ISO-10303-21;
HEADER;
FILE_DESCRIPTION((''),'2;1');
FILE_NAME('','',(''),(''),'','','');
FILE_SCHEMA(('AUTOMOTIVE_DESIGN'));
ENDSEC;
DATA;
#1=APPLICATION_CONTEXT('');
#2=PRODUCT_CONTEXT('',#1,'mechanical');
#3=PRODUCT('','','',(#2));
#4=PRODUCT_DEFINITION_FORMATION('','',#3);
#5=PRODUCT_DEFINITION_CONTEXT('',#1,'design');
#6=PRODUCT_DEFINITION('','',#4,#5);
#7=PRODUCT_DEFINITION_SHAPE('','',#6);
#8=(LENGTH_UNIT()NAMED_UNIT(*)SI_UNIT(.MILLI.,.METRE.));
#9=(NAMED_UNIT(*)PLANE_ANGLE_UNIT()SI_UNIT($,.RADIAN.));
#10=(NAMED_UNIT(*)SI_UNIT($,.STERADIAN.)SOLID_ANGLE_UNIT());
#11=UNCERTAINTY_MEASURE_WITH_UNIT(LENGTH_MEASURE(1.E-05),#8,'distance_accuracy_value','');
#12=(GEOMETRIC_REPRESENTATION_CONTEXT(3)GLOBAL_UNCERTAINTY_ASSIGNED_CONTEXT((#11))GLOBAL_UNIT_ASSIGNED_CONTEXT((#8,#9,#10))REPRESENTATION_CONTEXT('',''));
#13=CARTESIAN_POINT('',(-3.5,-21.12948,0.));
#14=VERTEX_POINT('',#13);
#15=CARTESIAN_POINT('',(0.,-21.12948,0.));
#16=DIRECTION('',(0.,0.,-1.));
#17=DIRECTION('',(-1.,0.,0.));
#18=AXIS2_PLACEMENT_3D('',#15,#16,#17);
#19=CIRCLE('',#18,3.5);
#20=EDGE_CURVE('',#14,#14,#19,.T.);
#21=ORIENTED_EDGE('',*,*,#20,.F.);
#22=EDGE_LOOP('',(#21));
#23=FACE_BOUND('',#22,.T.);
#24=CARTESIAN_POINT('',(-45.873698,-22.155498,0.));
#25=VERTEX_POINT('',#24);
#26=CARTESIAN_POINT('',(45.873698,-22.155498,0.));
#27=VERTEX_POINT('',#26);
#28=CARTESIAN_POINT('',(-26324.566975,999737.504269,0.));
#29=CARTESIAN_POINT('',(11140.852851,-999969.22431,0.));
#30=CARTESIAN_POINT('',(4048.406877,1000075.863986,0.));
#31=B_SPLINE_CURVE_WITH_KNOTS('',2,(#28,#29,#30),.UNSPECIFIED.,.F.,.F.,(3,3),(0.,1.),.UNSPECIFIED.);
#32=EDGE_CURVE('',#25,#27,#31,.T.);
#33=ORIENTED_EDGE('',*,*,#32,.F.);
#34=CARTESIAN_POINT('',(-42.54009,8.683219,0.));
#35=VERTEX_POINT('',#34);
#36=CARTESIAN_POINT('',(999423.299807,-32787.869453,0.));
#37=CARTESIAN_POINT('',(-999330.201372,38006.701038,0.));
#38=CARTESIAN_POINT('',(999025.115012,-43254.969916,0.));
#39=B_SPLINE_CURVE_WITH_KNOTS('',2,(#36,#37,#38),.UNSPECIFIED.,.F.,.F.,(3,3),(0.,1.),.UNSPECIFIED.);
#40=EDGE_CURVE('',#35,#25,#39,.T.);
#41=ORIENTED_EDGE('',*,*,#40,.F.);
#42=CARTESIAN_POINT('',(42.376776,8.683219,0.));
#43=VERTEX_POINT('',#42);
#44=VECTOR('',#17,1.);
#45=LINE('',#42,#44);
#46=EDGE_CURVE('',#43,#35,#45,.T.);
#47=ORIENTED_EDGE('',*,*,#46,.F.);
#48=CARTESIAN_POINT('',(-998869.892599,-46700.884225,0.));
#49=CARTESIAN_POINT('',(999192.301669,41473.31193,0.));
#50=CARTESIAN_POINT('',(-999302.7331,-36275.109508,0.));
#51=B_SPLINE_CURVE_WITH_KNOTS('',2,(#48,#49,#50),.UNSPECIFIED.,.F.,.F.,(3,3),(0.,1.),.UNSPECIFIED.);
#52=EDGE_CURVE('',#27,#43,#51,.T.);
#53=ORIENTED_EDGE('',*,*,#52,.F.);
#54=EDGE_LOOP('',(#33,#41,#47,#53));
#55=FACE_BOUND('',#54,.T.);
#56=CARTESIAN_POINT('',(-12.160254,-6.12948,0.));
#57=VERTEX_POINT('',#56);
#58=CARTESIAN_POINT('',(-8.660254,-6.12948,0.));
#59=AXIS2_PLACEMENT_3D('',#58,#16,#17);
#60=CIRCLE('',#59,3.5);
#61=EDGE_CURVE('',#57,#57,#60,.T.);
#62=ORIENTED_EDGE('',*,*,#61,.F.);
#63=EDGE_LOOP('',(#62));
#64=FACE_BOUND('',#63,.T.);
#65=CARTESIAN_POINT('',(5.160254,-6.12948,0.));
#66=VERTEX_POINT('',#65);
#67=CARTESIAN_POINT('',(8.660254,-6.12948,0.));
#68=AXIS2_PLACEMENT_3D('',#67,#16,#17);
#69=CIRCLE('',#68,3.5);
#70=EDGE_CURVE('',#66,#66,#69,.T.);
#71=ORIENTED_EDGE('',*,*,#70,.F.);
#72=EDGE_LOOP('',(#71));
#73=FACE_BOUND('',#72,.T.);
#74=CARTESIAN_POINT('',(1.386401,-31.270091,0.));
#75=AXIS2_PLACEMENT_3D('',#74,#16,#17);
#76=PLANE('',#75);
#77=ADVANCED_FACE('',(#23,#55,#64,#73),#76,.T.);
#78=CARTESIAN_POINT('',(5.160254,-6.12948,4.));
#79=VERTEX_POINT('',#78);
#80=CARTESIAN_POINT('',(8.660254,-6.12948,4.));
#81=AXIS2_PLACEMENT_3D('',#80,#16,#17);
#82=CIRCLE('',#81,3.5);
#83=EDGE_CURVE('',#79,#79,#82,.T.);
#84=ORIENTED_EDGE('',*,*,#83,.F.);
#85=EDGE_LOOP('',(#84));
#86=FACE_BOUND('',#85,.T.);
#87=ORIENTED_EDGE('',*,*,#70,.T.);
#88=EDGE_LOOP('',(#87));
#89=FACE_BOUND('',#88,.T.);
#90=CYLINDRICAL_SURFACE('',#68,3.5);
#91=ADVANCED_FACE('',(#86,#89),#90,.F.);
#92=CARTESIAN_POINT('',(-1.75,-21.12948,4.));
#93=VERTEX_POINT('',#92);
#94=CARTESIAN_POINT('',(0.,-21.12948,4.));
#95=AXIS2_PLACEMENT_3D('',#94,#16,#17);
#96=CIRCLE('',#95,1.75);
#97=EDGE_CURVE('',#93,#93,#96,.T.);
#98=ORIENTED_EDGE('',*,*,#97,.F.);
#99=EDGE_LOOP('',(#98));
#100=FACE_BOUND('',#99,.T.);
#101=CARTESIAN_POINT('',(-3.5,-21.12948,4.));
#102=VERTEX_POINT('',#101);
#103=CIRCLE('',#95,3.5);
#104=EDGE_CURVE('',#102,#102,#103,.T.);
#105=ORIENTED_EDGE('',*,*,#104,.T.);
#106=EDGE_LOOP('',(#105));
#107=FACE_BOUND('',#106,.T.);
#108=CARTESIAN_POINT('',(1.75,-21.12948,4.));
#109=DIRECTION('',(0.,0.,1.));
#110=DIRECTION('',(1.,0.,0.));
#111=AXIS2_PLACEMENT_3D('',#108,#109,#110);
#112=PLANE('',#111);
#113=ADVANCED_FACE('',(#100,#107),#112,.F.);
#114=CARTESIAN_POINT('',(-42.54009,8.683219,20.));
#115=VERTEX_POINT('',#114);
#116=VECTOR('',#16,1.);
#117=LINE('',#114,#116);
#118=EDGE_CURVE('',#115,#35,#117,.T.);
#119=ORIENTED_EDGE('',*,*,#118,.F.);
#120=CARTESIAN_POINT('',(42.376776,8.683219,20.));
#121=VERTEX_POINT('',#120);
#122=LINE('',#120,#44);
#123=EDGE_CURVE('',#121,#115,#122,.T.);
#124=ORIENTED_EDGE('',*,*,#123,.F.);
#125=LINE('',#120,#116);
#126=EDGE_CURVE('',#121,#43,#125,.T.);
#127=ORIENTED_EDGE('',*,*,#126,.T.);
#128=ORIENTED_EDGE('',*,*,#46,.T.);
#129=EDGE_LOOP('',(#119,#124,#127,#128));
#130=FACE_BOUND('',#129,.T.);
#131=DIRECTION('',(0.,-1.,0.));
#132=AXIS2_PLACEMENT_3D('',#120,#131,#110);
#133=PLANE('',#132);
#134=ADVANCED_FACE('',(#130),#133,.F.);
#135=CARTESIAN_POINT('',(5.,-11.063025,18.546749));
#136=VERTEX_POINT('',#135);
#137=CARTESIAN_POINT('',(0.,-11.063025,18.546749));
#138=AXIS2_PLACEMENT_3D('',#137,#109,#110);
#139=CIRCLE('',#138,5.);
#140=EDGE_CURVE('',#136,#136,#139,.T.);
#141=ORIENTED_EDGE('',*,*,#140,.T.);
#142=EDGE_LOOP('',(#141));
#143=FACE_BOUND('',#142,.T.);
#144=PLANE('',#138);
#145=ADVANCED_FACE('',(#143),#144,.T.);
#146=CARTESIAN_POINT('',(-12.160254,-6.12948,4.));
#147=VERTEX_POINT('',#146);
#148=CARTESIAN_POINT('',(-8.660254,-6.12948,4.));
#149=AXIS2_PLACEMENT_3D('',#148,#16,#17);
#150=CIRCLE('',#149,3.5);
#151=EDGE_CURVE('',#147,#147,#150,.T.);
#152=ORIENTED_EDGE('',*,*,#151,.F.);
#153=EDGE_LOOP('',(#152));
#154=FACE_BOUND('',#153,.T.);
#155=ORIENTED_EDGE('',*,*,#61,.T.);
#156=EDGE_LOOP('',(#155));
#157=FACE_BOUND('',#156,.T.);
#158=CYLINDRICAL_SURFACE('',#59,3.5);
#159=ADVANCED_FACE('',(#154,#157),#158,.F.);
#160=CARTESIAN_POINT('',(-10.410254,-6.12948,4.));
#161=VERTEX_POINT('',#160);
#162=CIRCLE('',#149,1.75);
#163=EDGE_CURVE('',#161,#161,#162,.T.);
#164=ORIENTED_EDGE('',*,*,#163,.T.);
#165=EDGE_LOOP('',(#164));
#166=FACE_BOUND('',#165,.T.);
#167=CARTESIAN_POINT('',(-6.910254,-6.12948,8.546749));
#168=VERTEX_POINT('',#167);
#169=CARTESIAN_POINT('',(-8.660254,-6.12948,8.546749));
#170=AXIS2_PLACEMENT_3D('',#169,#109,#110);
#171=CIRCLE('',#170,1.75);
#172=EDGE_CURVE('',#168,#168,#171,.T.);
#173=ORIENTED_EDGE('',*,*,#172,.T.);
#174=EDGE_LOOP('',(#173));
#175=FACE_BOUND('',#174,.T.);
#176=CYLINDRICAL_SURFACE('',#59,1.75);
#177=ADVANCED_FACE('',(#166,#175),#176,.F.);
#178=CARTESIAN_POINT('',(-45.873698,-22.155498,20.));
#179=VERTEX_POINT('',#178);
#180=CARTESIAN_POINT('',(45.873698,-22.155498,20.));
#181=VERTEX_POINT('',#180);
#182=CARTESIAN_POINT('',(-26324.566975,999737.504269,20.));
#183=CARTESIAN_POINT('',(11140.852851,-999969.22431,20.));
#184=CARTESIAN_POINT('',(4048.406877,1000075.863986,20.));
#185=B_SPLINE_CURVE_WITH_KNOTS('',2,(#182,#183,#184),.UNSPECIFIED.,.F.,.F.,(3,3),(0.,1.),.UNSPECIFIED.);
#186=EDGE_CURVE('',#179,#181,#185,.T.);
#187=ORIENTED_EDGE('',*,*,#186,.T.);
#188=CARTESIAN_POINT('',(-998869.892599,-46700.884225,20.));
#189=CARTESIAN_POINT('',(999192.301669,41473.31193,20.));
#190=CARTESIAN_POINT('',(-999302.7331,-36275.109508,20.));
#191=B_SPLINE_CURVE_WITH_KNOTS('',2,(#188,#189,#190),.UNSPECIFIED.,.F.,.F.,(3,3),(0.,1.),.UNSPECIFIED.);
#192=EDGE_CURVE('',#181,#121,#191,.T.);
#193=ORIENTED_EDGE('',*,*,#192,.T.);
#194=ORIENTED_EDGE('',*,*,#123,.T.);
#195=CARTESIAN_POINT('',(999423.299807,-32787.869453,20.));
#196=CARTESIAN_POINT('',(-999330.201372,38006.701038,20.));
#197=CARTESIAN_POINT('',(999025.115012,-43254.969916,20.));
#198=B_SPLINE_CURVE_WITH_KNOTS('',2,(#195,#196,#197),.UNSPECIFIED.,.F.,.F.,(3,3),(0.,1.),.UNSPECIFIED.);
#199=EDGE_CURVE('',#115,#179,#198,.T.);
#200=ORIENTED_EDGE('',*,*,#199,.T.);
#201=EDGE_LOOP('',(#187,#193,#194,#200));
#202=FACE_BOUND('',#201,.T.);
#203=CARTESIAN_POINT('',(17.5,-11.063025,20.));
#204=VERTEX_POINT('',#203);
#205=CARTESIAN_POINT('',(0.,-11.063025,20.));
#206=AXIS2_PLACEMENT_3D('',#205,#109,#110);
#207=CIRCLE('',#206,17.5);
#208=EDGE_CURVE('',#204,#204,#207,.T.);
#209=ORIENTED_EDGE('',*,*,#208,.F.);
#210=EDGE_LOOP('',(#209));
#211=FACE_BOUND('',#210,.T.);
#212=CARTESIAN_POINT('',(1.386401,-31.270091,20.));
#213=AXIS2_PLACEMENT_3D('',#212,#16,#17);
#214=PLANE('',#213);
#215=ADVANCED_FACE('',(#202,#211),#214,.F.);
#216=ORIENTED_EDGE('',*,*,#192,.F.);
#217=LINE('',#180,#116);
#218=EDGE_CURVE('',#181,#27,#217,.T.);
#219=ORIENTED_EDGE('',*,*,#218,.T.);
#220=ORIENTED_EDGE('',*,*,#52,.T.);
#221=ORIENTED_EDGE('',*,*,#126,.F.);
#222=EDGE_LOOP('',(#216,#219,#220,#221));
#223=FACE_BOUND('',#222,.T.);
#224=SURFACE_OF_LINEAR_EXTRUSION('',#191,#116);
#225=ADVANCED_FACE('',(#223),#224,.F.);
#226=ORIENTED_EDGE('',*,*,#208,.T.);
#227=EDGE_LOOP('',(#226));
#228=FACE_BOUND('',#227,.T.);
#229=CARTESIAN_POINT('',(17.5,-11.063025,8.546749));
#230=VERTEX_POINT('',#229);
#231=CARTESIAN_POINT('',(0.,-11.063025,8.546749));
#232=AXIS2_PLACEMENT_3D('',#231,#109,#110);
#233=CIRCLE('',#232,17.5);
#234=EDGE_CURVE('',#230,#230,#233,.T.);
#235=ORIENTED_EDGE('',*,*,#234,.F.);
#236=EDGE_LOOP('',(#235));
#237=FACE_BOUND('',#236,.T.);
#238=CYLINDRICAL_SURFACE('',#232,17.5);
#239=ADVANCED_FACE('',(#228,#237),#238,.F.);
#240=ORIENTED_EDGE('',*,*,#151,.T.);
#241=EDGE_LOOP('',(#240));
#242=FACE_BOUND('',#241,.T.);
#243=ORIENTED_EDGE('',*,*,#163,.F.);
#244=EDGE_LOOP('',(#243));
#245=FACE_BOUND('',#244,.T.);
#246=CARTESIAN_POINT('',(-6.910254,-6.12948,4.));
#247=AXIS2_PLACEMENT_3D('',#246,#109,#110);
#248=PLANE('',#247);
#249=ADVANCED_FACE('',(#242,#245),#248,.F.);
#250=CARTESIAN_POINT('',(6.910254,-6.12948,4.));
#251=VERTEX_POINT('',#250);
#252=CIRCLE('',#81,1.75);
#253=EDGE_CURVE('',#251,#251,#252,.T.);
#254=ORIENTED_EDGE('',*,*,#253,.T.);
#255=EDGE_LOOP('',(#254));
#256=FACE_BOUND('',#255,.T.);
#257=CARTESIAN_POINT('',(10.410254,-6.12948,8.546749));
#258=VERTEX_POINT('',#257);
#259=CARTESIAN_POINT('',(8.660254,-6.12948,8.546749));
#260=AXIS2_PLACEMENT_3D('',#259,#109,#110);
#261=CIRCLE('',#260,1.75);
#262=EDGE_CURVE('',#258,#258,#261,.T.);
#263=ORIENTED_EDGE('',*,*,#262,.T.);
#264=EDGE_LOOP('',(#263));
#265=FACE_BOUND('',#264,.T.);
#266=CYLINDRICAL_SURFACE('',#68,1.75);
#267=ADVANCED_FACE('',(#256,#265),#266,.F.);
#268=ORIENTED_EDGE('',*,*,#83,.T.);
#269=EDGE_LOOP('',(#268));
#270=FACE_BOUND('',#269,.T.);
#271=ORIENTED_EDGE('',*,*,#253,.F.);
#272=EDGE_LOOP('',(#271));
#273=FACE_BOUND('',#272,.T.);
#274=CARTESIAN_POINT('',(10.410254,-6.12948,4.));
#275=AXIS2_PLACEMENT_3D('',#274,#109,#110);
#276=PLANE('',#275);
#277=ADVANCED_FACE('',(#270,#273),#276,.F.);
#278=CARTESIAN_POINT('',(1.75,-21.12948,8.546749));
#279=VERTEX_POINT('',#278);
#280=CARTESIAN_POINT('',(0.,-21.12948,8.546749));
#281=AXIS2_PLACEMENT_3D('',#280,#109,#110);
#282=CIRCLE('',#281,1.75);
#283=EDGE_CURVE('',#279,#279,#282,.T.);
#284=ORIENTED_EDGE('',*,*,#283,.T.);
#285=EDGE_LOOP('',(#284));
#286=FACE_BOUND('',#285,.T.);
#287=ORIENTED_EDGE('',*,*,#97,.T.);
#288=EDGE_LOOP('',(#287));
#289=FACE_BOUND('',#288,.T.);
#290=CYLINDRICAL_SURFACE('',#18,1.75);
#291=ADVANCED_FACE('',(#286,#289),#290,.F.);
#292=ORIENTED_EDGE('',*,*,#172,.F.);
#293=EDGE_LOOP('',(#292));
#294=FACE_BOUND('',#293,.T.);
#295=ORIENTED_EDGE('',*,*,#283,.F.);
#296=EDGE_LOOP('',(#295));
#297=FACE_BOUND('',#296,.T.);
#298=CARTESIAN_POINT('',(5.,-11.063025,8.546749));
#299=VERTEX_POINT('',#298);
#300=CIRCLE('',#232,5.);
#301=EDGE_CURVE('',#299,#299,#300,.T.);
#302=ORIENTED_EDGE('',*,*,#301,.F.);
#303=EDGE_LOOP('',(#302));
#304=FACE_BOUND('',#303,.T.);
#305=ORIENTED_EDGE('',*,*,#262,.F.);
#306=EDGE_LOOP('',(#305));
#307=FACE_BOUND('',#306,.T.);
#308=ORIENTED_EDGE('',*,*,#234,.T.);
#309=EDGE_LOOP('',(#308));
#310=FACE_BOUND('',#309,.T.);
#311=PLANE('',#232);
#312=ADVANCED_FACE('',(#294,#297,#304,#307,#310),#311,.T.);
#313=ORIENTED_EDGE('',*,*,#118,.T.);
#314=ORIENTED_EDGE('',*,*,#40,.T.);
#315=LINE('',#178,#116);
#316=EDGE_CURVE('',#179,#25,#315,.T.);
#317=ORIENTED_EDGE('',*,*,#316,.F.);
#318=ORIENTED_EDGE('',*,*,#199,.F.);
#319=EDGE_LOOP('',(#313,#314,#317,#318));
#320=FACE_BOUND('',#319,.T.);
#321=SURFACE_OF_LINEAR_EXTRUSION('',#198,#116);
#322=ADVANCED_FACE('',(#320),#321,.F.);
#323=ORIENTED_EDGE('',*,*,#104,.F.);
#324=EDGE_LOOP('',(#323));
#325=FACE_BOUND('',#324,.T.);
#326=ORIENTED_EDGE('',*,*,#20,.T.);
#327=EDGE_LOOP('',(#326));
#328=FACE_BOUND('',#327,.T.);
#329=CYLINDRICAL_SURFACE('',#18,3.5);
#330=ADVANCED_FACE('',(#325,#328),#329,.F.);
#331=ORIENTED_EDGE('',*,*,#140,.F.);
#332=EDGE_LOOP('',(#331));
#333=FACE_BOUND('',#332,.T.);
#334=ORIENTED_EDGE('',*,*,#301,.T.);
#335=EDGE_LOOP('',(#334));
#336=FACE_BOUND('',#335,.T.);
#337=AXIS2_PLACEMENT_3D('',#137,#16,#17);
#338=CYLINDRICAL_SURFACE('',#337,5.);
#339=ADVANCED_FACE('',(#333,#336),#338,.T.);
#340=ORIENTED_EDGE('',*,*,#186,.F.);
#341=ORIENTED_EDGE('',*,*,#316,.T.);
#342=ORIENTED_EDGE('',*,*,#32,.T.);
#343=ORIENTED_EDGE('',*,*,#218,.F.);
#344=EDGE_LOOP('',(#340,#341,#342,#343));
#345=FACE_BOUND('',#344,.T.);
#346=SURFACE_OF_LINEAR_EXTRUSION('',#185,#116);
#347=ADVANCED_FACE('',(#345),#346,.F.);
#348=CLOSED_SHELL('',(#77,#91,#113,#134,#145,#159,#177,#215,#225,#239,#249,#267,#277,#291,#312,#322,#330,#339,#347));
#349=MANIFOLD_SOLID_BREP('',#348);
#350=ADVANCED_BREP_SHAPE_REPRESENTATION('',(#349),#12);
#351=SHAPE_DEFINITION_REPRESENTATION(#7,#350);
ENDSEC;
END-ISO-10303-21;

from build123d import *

# Parameters (mm, degrees)
BOSS_EXTRUDE1_DEPTH                              = 20
SKETCH4_R                                        = 17.5
CUT_EXTRUDE1_DEPTH                               = 11.453250926
SKETCH5_R                                        = 5
BOSS_EXTRUDE2_DEPTH                              = 10
CBORE_FOR_M5_HEX_HEAD_MACHINE_SCREW2_D           = 3.5
CBORE_FOR_M5_HEX_HEAD_MACHINE_SCREW2_DEPTH       = 11
CBORE_FOR_M5_HEX_HEAD_MACHINE_SCREW2_CBORE_D     = 7
CBORE_FOR_M5_HEX_HEAD_MACHINE_SCREW2_CBORE_DEPTH = 4
CBORE_FOR_M5_HEX_HEAD_MACHINE_SCREW2_TIP         = 1.75


with BuildPart() as part:
    # Sketch2 → Boss-Extrude1 (new body)
    with BuildSketch(Plane.XY):
        with BuildLine():
            Line((42.376776125, 8.683218748), (-42.540089832, 8.683218747))
            add(Edge.make_bspline(
                [(-42.540089832, 8.683218747), (-61.647606257, -6.072667773), (-45.873698376, -22.15549797)],
                knots=[0, 0, 0, 1, 1, 1], degree=2))
            add(Edge.make_bspline(
                [(-45.873698376, -22.15549797), (0.203235462, -40.398996626), (45.873698397, -22.155497949)],
                knots=[0, 0, 0, 1, 1, 1], degree=2))
            add(Edge.make_bspline(
                [(45.873698397, -22.155497949), (61.713202875, -6.005950809), (42.376776125, 8.683218748)],
                knots=[0, 0, 0, 1, 1, 1], degree=2))
        make_face()
    extrude(amount=BOSS_EXTRUDE1_DEPTH)

    # Sketch4 → Cut-Extrude1 (cut)
    with BuildSketch(Plane.XY.offset(20)):
        with Locations((0, -11.063024907)):
            Circle(SKETCH4_R)
    extrude(amount=-CUT_EXTRUDE1_DEPTH, mode=Mode.SUBTRACT)

    # Sketch5 → Boss-Extrude2 (add)
    with BuildSketch(Plane.XY.offset(8.546749074)):
        with Locations((0, -11.063024907)):
            Circle(SKETCH5_R)
    extrude(amount=BOSS_EXTRUDE2_DEPTH)

    # CBORE for M5 Hex Head Machine Screw2
    with Locations(Plane(origin=(0, 0, 0), x_dir=(-1, 0, 0), z_dir=(0, 0, -1))):
        with Locations((-8.660254038, -6.129479586), (0, -21.129479586), (8.660254038, -6.129479586)):
            CounterBoreHole(CBORE_FOR_M5_HEX_HEAD_MACHINE_SCREW2_D / 2, CBORE_FOR_M5_HEX_HEAD_MACHINE_SCREW2_CBORE_D / 2, CBORE_FOR_M5_HEX_HEAD_MACHINE_SCREW2_CBORE_DEPTH, depth=CBORE_FOR_M5_HEX_HEAD_MACHINE_SCREW2_DEPTH)
            with Locations((0, 0, -(CBORE_FOR_M5_HEX_HEAD_MACHINE_SCREW2_DEPTH + CBORE_FOR_M5_HEX_HEAD_MACHINE_SCREW2_TIP / 2))):  # 90° drill point
                Cone(0, CBORE_FOR_M5_HEX_HEAD_MACHINE_SCREW2_D / 2, CBORE_FOR_M5_HEX_HEAD_MACHINE_SCREW2_TIP, mode=Mode.SUBTRACT)


solid = part.part
